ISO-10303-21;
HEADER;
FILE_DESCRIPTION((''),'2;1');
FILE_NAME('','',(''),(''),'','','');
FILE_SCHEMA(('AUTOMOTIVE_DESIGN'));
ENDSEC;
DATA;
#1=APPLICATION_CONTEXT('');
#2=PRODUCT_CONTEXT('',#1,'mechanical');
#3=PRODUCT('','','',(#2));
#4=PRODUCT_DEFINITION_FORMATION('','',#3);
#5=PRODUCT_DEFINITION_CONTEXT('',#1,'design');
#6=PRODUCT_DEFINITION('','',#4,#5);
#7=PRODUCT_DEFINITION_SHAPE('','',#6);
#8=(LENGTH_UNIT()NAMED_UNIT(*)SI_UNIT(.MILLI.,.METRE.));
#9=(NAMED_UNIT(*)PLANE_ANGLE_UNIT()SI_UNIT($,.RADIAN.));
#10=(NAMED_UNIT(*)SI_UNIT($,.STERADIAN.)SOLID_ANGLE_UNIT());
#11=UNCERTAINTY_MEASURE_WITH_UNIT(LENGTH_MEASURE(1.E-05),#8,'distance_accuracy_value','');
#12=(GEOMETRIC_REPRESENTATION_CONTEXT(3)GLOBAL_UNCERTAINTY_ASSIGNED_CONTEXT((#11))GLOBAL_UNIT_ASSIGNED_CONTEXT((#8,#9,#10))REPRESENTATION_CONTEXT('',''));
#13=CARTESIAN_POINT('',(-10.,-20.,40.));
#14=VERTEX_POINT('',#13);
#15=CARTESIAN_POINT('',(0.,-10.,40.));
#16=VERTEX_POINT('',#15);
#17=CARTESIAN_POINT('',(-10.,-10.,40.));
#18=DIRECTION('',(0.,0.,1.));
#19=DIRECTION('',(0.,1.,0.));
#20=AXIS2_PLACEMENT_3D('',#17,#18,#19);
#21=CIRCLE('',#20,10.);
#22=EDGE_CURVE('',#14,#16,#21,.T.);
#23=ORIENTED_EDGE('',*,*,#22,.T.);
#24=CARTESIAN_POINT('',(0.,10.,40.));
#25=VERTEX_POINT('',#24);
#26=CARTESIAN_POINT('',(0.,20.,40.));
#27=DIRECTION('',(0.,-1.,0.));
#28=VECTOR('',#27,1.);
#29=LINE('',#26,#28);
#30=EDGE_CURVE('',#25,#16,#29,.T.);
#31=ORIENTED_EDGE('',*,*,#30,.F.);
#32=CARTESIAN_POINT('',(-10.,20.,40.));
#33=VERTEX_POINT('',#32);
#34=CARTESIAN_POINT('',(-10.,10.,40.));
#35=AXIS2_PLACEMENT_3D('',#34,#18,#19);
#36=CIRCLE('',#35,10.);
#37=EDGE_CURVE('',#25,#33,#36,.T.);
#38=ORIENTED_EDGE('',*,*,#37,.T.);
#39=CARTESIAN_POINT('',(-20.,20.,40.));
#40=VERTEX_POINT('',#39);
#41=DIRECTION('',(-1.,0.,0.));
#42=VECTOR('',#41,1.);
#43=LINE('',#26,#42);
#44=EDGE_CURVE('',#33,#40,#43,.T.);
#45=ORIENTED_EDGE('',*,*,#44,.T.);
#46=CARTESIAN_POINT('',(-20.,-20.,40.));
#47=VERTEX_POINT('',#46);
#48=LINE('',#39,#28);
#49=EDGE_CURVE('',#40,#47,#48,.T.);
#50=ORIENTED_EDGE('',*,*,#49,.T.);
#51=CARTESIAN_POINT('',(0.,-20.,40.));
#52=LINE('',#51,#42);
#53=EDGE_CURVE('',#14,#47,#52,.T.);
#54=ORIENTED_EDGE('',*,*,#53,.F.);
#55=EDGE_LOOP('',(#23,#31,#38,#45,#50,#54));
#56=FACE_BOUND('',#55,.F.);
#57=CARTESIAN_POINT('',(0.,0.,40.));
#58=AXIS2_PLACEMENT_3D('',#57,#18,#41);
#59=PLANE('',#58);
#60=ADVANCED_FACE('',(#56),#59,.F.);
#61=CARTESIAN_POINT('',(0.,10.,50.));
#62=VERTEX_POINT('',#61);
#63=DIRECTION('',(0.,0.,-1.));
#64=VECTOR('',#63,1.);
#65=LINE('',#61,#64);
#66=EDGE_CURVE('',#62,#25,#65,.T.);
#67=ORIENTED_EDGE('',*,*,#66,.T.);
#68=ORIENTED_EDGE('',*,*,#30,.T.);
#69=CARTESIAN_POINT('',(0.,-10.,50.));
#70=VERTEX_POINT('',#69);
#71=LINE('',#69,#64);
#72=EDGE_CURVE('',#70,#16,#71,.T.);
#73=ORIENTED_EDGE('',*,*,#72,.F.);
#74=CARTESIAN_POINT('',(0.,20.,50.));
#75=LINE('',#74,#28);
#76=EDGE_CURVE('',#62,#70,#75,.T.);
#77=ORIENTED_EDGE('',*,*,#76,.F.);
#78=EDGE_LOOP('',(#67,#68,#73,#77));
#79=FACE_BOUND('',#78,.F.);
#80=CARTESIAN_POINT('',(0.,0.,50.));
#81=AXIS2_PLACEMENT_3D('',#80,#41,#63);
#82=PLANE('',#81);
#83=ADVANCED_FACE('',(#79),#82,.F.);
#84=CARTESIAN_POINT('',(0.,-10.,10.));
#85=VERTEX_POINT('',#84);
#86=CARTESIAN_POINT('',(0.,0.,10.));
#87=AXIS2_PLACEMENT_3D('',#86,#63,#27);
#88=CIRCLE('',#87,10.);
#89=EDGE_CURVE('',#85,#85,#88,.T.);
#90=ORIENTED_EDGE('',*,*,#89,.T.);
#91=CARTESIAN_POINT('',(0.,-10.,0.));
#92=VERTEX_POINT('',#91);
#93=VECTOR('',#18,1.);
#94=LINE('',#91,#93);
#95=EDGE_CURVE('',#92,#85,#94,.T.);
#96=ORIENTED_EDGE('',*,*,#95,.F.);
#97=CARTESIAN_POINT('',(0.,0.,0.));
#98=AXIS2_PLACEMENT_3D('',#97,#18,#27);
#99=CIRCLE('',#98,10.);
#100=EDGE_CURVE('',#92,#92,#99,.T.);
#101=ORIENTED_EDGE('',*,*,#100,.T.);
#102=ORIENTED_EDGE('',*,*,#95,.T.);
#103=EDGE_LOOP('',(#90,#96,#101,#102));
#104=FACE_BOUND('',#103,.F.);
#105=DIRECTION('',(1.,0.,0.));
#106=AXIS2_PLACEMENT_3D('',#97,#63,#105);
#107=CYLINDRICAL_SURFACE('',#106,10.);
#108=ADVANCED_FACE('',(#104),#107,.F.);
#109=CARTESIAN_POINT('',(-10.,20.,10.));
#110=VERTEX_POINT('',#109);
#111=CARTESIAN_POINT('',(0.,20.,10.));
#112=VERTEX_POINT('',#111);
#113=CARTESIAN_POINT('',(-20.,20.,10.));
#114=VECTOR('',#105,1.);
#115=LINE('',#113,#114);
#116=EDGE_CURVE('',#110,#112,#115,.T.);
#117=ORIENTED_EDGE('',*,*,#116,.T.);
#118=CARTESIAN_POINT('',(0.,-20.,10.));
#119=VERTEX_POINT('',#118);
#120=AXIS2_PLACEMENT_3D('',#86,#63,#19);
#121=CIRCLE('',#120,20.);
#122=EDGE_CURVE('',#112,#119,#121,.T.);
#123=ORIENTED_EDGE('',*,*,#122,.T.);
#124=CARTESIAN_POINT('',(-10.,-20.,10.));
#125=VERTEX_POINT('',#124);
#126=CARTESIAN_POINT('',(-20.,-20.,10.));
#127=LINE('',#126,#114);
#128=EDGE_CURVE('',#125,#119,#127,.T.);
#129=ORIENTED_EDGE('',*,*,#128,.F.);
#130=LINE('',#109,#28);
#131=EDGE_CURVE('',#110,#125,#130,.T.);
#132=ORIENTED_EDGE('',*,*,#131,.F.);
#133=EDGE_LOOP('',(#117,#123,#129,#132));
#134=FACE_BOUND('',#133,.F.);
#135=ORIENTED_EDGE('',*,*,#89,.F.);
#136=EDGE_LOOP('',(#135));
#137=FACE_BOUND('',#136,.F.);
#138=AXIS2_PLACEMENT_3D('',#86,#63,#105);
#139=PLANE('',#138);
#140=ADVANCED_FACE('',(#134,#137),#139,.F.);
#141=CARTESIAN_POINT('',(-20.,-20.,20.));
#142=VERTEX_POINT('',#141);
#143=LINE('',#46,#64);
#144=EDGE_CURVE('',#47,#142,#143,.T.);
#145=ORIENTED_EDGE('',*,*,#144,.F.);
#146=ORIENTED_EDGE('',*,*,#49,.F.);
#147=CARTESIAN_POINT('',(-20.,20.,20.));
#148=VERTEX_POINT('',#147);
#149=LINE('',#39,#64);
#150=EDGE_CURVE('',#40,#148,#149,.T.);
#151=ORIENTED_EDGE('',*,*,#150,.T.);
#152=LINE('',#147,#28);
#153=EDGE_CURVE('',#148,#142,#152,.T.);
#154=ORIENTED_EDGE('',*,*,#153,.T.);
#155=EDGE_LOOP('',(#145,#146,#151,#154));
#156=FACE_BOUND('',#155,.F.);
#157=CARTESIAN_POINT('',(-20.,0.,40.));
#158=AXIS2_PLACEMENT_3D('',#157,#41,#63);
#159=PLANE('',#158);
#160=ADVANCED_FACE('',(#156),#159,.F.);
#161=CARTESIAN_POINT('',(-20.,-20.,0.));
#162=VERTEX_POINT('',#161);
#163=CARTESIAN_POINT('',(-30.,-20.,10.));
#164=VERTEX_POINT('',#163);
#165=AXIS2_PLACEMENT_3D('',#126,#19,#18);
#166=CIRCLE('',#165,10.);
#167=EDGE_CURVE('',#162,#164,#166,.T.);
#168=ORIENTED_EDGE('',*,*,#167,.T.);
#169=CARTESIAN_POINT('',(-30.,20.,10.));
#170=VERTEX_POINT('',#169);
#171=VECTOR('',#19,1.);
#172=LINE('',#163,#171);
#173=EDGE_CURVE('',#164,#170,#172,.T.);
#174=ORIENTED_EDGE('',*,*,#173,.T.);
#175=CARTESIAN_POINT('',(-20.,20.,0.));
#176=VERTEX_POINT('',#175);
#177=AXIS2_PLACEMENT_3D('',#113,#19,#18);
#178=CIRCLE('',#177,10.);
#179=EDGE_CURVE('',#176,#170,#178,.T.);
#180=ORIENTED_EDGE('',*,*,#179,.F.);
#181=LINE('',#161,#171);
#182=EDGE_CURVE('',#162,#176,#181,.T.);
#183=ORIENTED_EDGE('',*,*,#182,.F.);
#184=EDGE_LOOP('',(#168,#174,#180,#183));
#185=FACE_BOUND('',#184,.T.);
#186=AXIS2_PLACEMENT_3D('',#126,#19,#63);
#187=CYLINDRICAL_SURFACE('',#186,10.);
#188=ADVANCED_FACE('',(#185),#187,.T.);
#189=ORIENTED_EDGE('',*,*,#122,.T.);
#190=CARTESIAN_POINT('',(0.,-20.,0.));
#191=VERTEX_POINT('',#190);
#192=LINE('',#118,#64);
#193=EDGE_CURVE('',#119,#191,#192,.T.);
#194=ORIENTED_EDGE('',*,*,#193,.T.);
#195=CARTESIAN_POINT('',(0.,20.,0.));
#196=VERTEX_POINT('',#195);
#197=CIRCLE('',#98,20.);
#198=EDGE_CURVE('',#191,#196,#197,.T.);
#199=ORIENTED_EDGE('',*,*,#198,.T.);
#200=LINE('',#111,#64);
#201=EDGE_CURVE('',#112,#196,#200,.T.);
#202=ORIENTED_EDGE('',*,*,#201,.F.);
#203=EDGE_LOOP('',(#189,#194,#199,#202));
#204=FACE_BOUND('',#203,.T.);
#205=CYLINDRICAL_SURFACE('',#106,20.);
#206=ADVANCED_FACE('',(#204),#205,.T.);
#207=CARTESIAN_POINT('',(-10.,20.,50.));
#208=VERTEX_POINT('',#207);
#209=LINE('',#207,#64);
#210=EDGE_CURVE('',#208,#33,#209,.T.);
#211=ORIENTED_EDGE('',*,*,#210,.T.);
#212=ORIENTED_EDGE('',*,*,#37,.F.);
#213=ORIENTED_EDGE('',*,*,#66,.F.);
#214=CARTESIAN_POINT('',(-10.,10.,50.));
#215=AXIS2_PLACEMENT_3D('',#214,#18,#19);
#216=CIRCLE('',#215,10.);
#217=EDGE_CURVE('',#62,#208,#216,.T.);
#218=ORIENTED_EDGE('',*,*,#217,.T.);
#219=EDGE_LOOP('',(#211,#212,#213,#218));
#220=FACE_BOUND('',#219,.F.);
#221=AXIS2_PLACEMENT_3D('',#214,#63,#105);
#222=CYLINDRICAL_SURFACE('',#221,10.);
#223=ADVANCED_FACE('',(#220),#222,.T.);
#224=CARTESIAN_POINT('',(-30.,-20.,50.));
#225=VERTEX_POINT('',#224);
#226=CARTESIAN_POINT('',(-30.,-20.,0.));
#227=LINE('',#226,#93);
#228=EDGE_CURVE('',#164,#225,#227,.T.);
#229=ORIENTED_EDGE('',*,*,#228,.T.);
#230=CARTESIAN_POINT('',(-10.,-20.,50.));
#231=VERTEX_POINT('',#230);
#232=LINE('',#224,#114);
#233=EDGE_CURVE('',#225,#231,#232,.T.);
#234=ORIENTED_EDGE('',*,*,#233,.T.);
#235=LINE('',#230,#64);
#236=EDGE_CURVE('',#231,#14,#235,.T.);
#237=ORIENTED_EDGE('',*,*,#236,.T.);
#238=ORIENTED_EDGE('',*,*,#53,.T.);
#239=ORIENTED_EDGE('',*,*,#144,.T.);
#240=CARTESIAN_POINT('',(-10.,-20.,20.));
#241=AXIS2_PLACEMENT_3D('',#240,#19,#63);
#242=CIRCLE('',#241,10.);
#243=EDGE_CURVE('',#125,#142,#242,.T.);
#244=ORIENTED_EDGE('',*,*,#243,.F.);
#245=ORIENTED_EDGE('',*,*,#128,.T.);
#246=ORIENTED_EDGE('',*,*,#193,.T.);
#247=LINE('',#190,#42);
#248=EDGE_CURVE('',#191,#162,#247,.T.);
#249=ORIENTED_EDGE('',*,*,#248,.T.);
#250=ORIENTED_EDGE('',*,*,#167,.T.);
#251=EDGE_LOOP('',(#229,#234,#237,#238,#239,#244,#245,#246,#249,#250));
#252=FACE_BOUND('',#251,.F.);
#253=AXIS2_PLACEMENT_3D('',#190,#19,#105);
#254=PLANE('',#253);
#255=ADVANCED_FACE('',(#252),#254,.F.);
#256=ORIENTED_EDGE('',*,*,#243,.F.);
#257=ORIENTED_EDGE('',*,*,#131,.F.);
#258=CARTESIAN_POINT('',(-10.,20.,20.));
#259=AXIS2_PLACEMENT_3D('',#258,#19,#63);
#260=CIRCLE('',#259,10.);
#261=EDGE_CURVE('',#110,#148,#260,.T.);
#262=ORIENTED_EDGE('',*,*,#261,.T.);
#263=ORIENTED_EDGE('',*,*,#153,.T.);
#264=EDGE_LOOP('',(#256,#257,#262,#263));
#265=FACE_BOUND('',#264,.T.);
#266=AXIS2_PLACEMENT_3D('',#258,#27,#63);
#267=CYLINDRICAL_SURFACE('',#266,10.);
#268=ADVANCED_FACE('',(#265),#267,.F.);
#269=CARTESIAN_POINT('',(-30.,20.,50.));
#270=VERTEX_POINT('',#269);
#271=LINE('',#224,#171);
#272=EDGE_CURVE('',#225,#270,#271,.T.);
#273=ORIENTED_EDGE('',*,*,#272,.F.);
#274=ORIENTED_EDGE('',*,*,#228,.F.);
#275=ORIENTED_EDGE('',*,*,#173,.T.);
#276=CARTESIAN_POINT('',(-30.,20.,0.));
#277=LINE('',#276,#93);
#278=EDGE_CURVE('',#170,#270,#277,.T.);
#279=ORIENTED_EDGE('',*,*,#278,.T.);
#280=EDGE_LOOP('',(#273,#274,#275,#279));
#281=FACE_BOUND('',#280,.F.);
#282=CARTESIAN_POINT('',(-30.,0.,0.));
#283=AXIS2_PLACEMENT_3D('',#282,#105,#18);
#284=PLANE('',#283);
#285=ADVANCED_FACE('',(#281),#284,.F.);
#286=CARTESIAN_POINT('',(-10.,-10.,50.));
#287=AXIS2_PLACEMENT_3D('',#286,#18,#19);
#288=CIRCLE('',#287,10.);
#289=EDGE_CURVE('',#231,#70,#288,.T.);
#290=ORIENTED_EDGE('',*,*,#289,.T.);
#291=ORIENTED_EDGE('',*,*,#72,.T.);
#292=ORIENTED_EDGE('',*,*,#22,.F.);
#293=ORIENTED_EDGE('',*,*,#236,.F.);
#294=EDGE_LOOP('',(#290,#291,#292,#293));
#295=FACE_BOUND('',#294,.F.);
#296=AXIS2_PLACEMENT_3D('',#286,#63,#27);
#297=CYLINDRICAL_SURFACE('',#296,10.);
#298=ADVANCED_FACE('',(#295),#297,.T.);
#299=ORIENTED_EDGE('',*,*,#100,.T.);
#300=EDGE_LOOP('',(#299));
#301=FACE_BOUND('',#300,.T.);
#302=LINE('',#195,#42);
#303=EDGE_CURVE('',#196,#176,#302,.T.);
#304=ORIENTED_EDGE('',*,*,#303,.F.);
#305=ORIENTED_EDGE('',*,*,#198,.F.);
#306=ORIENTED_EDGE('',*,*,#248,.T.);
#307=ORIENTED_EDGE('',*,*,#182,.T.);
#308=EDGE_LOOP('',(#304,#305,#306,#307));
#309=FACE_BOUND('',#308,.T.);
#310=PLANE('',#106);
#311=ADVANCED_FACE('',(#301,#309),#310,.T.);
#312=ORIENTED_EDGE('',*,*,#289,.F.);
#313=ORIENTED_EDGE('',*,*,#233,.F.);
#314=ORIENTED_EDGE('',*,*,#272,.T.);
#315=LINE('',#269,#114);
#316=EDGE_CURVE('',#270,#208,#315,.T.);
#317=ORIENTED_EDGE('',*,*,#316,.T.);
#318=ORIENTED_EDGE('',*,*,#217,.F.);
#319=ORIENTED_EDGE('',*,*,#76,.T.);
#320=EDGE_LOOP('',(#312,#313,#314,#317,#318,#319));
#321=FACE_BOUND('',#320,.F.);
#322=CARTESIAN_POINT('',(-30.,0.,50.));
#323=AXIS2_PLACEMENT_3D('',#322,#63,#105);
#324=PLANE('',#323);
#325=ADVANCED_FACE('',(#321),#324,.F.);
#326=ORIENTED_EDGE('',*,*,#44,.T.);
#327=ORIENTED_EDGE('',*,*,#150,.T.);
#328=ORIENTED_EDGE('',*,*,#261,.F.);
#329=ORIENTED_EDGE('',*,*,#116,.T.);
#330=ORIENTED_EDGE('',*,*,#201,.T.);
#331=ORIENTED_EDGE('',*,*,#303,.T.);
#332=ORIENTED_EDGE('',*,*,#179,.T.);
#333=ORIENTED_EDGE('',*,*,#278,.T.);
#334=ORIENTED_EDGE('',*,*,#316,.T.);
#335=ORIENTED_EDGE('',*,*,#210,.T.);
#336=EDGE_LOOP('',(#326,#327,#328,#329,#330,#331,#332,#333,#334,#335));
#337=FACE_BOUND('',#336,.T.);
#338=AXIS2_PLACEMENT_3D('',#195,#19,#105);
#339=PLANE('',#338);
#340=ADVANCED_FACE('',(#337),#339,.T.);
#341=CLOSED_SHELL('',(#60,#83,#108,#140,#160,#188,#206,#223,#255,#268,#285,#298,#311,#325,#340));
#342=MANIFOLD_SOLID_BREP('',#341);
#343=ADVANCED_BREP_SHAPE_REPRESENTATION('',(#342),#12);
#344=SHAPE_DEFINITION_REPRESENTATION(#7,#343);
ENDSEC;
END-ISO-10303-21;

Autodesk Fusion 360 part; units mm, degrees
sketch "Sketch1" plane through (0, 0, 0) normal (0, 1, 0) x (1, 0, 0)
  line L0 (0, 0) -> (-30, 0)
  line L1 (-30, 0) -> (-30, -50)
  line L2 (-30, -50) -> (0, -50)
  line L3 (0, -50) -> (0, -40)
  line L4 (0, -40) -> (-20, -40)
  line L5 (-20, -40) -> (-20, -10)
  line L6 (-20, -10) -> (0, -10)
  line L7 (0, -10) -> (0, 0)
  dimension "d1" = 10
  dimension "d2" = 10
  dimension "d3" = 50
  dimension "d4" = 30
  dimension "d5" = 10
  dimension "d6" = 20
extrude "Extrude1" add sketch "Sketch1" along normal mid plane 40
sketch "Sketch2" plane through (0, 0, 0) normal (0, 0, -1) x (1, 0, 0)
  line L0 (-30, 20) -> (-30, -20)
  line L1 (-30, -20) -> (0, -20)
  line L2 (0, -20) -> (0, 20)
  line L3 (0, 20) -> (-30, 20)
  circle A0 centre (0, 0) radius 20
  circle A1 centre (0, 0) radius 10
  dimension "d9" = 20
extrude "Extrude2" add sketch "Sketch2" against normal blind 10 contours L2 A0 A1 picked at (16.5649, -1.4231)
extrude "Extrude3" cut sketch "Sketch2" against normal blind 15 contours L2 A1 picked at (-3.2498, -0.7417)
fillet "Fillet1" radius 10 2 edges at (-20, 0, 10) (-30, 0, 0)
fillet "Fillet2" radius 10 2 edges at (0, -20, 45) (0, 20, 45)
